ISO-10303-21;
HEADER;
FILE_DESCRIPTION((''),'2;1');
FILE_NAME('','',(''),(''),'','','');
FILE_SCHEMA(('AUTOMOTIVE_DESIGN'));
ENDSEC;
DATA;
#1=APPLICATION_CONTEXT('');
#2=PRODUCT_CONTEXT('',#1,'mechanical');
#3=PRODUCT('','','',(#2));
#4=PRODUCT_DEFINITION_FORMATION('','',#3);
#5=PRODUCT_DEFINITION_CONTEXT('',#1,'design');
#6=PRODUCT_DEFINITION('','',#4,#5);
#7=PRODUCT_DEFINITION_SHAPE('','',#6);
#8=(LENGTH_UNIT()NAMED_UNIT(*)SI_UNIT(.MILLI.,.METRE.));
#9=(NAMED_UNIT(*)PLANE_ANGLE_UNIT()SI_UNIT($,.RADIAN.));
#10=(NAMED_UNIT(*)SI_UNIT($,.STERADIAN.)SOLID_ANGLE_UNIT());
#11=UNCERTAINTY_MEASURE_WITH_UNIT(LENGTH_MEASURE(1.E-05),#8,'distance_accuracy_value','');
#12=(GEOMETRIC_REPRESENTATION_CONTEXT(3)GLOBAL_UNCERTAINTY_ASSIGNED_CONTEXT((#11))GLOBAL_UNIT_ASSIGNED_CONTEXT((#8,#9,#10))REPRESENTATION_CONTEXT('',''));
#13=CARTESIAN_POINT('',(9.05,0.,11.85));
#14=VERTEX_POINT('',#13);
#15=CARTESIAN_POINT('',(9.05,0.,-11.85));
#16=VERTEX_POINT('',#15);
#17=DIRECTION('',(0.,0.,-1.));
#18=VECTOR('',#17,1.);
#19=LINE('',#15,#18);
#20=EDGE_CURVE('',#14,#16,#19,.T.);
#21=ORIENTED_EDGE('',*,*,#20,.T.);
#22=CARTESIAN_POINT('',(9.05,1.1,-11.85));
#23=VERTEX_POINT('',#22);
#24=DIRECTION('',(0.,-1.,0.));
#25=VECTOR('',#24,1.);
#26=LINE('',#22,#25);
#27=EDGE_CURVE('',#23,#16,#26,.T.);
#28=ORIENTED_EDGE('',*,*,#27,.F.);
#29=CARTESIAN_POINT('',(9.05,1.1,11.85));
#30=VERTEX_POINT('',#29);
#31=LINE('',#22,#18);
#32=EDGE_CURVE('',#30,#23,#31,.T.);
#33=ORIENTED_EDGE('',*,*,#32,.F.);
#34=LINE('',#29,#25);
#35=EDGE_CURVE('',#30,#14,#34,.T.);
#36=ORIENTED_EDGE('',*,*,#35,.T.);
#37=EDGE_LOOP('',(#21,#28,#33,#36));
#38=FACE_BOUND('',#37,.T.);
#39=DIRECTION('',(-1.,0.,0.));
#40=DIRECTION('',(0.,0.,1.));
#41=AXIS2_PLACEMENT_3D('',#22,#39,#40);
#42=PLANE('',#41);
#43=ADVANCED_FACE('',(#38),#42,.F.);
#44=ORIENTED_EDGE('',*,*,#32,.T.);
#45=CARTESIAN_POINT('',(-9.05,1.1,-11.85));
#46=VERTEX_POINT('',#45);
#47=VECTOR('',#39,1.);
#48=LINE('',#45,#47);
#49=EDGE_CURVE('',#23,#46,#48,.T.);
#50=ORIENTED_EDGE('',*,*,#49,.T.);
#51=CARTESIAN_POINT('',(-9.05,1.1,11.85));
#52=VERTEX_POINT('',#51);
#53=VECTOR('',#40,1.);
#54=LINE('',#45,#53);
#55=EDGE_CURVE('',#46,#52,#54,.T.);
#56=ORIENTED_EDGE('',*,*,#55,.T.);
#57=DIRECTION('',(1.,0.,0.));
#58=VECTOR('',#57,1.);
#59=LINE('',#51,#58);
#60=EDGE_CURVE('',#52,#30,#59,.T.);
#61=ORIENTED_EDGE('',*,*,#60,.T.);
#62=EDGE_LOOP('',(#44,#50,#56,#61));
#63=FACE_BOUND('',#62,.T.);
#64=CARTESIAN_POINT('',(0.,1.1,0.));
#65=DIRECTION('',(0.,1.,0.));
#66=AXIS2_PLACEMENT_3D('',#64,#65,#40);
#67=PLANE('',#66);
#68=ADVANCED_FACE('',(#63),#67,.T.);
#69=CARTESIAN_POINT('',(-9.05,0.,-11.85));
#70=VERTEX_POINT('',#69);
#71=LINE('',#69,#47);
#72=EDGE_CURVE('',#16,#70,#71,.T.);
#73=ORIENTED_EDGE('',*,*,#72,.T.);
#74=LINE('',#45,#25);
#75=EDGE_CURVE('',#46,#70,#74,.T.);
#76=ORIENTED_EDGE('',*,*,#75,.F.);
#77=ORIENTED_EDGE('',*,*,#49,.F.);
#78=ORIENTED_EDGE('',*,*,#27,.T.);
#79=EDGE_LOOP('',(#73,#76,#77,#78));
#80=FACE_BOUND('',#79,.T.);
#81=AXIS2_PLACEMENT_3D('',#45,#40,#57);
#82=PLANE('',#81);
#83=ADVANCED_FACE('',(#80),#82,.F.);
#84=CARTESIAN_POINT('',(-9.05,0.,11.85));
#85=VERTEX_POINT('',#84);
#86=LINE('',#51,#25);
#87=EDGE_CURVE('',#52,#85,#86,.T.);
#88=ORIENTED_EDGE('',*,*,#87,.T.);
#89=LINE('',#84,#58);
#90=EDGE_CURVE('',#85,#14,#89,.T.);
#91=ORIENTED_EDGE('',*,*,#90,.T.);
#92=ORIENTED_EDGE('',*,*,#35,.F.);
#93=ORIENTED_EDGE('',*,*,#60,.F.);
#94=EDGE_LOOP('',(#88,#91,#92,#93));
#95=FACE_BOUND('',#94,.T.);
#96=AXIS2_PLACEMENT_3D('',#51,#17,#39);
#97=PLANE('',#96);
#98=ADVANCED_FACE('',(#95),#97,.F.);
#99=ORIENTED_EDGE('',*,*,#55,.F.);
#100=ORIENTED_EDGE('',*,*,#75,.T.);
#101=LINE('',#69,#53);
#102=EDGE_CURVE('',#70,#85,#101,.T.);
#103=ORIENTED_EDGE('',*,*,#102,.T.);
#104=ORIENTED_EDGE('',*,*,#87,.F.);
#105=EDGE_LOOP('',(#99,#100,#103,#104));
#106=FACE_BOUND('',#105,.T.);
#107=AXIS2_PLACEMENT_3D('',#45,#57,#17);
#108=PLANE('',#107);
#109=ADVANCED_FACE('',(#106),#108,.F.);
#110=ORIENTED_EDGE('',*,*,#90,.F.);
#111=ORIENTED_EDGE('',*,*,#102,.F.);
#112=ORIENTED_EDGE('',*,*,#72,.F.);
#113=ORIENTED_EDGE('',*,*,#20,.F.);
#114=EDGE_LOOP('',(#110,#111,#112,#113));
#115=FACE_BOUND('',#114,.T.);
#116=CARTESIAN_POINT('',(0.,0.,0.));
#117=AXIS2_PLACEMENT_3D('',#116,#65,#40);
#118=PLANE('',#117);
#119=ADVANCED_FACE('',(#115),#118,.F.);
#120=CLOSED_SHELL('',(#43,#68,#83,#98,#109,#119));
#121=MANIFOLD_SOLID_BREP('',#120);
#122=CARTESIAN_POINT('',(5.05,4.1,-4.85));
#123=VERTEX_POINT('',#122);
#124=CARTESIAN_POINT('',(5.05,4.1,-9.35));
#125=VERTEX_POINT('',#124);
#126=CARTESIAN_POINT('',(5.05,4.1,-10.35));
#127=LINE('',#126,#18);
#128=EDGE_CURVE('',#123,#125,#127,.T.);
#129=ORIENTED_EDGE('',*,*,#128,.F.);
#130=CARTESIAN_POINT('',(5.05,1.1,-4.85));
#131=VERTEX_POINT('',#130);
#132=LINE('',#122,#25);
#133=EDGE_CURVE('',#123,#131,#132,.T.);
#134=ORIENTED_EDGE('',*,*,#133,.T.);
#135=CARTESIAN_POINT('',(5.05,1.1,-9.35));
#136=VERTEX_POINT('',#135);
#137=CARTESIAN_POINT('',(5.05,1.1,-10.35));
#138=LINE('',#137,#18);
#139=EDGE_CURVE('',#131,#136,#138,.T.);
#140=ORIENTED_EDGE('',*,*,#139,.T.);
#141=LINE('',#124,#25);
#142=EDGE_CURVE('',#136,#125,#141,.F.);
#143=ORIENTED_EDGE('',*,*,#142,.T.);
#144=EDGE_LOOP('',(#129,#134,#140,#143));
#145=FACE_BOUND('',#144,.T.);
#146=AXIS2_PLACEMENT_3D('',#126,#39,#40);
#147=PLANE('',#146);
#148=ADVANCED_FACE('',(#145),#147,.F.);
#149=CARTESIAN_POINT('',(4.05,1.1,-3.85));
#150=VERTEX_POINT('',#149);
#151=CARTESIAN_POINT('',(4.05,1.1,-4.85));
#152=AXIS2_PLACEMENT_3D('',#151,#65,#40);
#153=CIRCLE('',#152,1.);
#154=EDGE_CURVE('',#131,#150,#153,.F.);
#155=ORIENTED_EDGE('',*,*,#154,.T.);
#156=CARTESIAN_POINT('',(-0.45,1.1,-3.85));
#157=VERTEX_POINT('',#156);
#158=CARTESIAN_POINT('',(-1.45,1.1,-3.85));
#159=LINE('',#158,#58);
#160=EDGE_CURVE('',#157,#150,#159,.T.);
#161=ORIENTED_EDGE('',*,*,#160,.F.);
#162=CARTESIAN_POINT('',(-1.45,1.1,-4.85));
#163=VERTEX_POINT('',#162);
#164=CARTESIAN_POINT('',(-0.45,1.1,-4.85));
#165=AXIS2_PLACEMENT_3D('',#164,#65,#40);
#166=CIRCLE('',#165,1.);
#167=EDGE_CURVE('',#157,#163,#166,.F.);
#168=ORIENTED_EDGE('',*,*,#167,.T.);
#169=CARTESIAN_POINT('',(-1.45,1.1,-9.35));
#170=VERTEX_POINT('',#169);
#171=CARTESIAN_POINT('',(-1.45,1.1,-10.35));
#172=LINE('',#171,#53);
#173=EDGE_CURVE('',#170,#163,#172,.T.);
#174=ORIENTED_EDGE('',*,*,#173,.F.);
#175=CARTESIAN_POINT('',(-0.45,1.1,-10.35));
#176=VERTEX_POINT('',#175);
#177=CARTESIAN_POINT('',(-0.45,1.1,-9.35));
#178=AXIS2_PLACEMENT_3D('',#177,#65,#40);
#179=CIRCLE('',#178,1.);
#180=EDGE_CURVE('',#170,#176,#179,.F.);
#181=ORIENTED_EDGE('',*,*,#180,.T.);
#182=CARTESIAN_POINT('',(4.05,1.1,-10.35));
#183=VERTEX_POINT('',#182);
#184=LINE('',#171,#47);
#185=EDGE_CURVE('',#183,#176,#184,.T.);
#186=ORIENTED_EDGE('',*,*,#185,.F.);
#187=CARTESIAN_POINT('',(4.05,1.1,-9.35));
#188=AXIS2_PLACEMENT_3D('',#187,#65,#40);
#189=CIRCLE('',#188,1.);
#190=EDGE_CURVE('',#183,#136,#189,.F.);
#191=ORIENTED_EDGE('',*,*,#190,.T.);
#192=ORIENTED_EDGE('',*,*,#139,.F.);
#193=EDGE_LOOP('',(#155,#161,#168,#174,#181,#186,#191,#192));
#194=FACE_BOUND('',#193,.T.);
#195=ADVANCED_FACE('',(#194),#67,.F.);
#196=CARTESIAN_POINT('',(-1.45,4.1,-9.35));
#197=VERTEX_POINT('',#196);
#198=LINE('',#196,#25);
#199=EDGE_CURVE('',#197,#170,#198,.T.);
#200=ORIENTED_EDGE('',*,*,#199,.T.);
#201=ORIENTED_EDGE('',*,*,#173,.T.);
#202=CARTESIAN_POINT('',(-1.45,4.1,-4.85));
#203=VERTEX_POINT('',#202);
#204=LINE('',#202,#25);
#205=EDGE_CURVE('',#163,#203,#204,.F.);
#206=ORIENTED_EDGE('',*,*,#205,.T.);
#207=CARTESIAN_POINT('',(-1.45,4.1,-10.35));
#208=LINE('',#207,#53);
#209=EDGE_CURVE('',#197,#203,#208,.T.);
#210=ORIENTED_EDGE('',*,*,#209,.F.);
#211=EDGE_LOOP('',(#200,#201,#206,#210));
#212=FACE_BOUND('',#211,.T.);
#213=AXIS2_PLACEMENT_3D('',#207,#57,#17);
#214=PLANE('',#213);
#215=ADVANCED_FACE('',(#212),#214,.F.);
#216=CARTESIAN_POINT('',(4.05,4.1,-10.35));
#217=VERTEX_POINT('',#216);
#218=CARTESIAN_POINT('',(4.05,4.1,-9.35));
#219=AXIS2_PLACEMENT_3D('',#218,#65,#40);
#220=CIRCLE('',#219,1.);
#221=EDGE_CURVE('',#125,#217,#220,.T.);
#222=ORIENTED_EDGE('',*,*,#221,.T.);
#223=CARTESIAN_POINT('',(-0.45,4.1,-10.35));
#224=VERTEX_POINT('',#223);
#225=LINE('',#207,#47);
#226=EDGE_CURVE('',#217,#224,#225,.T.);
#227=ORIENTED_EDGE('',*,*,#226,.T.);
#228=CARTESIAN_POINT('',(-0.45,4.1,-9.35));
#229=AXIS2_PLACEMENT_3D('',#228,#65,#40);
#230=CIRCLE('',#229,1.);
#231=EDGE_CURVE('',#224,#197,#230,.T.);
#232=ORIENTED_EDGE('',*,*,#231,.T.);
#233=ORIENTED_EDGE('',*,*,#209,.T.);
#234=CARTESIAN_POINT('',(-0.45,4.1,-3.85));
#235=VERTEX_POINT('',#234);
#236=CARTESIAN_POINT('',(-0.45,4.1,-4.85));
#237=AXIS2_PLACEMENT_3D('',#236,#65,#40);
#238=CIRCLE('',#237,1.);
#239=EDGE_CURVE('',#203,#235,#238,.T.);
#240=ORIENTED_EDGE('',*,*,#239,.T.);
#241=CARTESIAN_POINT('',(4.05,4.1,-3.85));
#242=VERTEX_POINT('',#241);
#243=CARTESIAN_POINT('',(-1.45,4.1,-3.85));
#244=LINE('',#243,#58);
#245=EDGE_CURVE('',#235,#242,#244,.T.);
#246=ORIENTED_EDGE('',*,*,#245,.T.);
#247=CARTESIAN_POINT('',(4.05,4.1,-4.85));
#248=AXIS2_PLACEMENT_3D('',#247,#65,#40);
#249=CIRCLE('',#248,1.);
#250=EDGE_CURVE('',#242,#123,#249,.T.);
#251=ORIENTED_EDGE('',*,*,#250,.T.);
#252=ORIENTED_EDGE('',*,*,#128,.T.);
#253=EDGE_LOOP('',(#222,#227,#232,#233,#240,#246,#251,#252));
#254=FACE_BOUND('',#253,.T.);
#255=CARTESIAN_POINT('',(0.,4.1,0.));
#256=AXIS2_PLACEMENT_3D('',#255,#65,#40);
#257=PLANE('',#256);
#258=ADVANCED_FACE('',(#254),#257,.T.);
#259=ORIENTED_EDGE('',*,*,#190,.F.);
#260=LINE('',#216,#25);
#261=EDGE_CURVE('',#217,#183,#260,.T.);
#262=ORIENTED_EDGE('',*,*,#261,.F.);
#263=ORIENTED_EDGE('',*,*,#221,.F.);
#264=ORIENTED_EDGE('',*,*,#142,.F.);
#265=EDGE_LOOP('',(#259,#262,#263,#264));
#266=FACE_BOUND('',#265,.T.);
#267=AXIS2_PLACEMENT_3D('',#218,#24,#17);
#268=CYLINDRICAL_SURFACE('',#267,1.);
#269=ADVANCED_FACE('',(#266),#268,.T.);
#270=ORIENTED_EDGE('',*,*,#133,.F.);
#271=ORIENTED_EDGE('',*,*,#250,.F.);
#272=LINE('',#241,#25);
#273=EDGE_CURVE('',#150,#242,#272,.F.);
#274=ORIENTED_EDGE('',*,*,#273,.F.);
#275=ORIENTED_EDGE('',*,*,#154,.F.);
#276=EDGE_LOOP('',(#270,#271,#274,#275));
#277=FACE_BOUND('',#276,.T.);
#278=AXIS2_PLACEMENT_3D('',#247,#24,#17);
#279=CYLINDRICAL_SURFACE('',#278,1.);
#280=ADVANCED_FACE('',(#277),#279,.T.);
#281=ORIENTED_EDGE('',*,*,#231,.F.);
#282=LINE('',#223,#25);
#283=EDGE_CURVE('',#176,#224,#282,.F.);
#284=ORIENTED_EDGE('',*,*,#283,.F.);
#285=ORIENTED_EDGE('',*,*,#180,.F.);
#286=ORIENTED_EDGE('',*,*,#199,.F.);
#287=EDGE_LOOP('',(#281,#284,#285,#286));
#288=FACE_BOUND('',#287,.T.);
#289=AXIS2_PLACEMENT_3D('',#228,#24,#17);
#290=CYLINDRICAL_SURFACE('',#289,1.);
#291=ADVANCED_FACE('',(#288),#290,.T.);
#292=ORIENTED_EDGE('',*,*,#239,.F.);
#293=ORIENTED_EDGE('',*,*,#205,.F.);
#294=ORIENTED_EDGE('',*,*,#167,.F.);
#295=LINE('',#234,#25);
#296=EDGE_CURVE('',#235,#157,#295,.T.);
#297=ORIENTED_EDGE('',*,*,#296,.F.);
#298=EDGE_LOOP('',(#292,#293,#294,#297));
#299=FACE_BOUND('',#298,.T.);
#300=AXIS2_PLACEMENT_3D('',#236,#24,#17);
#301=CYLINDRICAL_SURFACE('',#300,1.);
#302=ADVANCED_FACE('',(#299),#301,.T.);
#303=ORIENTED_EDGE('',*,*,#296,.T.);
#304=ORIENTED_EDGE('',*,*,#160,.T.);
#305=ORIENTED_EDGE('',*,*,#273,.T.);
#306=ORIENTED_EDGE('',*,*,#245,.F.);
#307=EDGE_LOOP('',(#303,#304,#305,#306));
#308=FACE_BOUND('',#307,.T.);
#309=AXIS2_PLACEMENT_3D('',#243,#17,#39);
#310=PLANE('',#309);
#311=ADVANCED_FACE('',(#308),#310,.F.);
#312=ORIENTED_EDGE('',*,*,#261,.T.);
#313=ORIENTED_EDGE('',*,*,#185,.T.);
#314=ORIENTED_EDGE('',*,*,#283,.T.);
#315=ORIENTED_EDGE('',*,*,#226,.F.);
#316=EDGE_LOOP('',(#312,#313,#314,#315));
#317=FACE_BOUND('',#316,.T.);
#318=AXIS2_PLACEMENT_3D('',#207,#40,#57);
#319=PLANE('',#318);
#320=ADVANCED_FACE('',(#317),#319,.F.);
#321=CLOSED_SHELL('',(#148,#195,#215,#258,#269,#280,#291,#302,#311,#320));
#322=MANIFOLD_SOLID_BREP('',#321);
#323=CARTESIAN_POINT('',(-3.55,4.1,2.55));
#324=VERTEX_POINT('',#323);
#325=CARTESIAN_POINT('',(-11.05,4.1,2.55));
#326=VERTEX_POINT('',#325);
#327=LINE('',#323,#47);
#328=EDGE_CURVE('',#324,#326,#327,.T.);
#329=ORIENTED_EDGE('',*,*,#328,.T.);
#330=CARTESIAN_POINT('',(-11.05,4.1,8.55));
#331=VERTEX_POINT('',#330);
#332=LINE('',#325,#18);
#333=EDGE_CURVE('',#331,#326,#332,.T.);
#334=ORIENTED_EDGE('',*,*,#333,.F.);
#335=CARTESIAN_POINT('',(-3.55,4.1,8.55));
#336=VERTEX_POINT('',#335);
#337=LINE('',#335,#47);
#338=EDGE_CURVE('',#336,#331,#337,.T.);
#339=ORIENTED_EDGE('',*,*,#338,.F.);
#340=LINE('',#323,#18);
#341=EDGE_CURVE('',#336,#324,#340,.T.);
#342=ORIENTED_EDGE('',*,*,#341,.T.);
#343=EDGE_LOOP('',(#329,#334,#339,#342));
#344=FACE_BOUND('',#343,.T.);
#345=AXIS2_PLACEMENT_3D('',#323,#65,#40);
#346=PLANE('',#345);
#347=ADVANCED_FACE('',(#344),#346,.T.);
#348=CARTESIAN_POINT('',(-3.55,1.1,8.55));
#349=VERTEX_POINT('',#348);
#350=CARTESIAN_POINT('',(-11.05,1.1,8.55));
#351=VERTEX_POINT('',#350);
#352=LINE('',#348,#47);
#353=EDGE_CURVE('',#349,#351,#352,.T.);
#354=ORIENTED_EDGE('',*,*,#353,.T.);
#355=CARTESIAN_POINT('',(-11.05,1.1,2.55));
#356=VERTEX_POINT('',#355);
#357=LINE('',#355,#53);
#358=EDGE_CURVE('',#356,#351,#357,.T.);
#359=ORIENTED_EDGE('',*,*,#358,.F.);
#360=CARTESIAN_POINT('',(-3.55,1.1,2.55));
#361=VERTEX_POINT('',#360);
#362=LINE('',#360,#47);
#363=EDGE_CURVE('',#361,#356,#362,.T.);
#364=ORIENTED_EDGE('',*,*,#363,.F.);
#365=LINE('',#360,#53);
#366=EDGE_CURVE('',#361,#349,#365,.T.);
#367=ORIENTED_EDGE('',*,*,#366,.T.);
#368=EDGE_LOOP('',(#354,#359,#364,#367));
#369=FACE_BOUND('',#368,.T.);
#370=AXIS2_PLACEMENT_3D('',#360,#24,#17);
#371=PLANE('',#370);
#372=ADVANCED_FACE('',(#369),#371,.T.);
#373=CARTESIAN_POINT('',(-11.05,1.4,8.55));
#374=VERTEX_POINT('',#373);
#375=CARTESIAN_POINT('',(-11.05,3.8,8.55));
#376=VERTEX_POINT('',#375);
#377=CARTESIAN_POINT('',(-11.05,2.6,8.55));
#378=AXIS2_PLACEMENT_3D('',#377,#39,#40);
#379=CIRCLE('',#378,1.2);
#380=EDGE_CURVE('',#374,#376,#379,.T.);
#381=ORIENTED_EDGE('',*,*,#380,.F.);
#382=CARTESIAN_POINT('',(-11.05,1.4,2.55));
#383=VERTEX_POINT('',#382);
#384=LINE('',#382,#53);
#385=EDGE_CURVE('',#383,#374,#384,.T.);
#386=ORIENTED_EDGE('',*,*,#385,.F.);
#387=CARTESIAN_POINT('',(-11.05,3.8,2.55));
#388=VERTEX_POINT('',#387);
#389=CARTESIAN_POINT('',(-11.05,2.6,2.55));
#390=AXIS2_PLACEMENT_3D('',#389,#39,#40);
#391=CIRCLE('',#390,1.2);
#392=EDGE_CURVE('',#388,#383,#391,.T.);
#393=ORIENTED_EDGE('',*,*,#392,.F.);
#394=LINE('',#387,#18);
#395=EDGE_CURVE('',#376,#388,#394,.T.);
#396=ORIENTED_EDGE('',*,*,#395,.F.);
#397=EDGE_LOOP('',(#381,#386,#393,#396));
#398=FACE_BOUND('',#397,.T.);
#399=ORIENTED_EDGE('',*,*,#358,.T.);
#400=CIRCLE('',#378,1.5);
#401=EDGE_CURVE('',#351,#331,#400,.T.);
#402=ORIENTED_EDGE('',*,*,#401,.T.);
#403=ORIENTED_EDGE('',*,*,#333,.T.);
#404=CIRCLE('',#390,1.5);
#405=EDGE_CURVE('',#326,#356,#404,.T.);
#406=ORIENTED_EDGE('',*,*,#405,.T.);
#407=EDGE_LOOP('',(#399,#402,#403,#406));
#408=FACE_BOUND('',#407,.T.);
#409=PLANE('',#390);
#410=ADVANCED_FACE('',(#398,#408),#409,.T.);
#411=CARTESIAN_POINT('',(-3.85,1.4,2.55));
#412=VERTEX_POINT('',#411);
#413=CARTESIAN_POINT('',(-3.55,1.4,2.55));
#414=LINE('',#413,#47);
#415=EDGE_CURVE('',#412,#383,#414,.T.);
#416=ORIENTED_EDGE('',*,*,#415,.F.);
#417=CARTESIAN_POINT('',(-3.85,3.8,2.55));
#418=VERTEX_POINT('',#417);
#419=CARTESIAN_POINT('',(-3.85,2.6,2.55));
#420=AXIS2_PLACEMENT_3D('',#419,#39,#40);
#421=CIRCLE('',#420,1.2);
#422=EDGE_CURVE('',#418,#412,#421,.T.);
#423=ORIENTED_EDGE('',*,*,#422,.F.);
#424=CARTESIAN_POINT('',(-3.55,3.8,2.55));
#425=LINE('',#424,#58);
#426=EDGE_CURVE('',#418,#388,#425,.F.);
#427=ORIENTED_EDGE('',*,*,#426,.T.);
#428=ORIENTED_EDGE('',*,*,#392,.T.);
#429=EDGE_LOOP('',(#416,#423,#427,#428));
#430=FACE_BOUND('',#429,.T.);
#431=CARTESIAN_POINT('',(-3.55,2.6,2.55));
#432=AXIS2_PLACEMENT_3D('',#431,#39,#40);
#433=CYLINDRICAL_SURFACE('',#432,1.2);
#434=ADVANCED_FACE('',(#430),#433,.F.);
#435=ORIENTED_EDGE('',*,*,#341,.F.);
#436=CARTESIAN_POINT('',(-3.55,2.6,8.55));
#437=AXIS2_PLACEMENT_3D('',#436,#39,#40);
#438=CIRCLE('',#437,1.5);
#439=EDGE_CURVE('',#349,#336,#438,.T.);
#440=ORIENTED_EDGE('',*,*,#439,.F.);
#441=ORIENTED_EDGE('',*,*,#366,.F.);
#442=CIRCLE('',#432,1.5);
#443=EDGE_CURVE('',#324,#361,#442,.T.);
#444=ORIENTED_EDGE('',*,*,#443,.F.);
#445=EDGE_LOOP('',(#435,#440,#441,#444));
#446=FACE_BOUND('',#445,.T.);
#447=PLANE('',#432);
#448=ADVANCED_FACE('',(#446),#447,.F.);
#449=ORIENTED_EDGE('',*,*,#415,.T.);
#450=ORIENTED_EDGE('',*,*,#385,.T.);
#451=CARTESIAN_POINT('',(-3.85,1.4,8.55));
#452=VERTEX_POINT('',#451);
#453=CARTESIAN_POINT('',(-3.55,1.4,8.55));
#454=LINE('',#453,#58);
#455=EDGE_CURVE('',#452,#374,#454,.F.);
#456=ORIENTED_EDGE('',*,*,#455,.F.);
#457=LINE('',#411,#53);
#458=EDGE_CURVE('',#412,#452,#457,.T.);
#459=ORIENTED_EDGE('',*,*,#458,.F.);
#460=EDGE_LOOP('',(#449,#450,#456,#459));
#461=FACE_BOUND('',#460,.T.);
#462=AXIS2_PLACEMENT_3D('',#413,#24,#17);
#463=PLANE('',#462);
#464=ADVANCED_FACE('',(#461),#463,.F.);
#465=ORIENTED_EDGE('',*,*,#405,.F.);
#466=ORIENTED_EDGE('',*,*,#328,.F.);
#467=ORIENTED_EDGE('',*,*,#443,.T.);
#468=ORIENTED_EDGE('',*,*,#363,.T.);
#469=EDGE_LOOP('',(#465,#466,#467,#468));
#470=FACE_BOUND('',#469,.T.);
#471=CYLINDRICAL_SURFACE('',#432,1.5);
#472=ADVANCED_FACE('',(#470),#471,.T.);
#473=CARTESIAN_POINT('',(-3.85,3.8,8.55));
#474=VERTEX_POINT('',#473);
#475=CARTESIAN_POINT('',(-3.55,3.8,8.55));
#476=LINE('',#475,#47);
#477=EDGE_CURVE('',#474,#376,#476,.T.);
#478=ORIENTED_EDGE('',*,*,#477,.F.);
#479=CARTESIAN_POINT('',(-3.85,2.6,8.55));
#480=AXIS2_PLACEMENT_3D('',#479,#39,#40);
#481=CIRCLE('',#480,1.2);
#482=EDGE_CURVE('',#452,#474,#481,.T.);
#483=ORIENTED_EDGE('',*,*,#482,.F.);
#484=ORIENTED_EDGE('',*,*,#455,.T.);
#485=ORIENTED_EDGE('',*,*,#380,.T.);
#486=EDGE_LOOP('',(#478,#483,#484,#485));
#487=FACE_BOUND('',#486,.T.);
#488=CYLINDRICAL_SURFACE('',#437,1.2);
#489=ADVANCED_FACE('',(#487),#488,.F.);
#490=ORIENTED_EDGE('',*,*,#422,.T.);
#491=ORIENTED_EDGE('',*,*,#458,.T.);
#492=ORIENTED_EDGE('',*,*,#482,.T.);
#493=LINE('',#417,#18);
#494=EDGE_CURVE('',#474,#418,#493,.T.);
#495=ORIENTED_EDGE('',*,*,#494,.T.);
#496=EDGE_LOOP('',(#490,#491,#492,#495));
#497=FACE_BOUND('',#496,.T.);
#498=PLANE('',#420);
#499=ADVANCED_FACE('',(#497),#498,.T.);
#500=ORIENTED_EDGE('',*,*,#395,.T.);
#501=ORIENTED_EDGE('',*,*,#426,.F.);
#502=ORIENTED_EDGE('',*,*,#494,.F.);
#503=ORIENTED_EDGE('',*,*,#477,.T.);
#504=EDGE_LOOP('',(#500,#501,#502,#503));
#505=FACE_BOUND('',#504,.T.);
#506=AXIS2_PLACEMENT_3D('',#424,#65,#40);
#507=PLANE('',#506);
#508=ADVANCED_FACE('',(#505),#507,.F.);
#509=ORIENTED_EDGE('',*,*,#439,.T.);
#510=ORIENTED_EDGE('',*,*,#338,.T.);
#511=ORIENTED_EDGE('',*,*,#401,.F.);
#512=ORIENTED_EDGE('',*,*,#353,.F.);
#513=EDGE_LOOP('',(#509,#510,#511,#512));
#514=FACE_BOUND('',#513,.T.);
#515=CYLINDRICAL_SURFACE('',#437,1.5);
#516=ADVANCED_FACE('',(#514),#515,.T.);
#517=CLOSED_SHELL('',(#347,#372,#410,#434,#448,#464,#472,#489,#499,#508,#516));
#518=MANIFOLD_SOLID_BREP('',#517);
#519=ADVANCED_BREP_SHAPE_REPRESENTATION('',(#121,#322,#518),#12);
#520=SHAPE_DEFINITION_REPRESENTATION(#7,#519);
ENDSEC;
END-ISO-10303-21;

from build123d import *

# Parameters (mm, degrees)
SKETCH1_W                = 18.1
SKETCH1_H                = 23.7
BOSS_EXTRUDE1_DEPTH      = 1.1
BOSS_EXTRUDE2_DEPTH      = 2
BOSS_EXTRUDE2_DEPTH_BACK = 5.5
SHELL1_T                 = -0.3
SKETCH4_W                = 6.5
SKETCH4_H                = 6.5
BOSS_EXTRUDE3_DEPTH      = 3
FILLET1_R                = 1


with BuildPart() as part:
    # Sketch1 → Boss-Extrude1 (new body)
    with BuildSketch(Plane(origin=(0, 0, 0), x_dir=(1, 0, 0), z_dir=(0, 1, 0))):
        Rectangle(SKETCH1_W, SKETCH1_H)
    extrude(amount=BOSS_EXTRUDE1_DEPTH)


with BuildPart() as body_2:
    # Sketch3 → Boss-Extrude2 (new, two sides: drawn at the far end of the back side and taken through both)
    with BuildSketch(Plane.ZY.offset(9.05).offset(-BOSS_EXTRUDE2_DEPTH_BACK)):
        with BuildLine():
            Line((2.55, 4.1), (8.55, 4.1))
            ThreePointArc((8.55, 4.1), (10.05, 2.6), (8.55, 1.1))
            Line((8.55, 1.1), (2.55, 1.1))
            ThreePointArc((2.55, 1.1), (1.05, 2.6), (2.55, 4.1))
        make_face()
    extrude(amount=BOSS_EXTRUDE2_DEPTH + BOSS_EXTRUDE2_DEPTH_BACK)

    # Shell1
    shell1_openings = [body_2.faces().sort_by_distance(p)[0] for p in [
        (-11.05, 2.6, 5.55),
    ]]
    offset(amount=SHELL1_T, openings=shell1_openings, kind=Kind.INTERSECTION)


with BuildPart() as body_3:
    # Sketch4 → Boss-Extrude3 (new body)
    with BuildSketch(Plane(origin=(0, 1.1, 0), x_dir=(1, 0, 0), z_dir=(0, 1, 0))):
        with Locations((1.8, 7.1)):
            Rectangle(SKETCH4_W, SKETCH4_H)
    extrude(amount=BOSS_EXTRUDE3_DEPTH)

    # Fillet1
    fillet1_edges = [body_3.edges().sort_by_distance(p)[0] for p in [
        (-1.45, 2.6, -10.35),
        (5.05, 2.6, -10.35),
        (5.05, 2.6, -3.85),
        (-1.45, 2.6, -3.85),
    ]]
    fillet(fillet1_edges, radius=FILLET1_R)


solid = Compound([part.part, body_2.part, body_3.part])
